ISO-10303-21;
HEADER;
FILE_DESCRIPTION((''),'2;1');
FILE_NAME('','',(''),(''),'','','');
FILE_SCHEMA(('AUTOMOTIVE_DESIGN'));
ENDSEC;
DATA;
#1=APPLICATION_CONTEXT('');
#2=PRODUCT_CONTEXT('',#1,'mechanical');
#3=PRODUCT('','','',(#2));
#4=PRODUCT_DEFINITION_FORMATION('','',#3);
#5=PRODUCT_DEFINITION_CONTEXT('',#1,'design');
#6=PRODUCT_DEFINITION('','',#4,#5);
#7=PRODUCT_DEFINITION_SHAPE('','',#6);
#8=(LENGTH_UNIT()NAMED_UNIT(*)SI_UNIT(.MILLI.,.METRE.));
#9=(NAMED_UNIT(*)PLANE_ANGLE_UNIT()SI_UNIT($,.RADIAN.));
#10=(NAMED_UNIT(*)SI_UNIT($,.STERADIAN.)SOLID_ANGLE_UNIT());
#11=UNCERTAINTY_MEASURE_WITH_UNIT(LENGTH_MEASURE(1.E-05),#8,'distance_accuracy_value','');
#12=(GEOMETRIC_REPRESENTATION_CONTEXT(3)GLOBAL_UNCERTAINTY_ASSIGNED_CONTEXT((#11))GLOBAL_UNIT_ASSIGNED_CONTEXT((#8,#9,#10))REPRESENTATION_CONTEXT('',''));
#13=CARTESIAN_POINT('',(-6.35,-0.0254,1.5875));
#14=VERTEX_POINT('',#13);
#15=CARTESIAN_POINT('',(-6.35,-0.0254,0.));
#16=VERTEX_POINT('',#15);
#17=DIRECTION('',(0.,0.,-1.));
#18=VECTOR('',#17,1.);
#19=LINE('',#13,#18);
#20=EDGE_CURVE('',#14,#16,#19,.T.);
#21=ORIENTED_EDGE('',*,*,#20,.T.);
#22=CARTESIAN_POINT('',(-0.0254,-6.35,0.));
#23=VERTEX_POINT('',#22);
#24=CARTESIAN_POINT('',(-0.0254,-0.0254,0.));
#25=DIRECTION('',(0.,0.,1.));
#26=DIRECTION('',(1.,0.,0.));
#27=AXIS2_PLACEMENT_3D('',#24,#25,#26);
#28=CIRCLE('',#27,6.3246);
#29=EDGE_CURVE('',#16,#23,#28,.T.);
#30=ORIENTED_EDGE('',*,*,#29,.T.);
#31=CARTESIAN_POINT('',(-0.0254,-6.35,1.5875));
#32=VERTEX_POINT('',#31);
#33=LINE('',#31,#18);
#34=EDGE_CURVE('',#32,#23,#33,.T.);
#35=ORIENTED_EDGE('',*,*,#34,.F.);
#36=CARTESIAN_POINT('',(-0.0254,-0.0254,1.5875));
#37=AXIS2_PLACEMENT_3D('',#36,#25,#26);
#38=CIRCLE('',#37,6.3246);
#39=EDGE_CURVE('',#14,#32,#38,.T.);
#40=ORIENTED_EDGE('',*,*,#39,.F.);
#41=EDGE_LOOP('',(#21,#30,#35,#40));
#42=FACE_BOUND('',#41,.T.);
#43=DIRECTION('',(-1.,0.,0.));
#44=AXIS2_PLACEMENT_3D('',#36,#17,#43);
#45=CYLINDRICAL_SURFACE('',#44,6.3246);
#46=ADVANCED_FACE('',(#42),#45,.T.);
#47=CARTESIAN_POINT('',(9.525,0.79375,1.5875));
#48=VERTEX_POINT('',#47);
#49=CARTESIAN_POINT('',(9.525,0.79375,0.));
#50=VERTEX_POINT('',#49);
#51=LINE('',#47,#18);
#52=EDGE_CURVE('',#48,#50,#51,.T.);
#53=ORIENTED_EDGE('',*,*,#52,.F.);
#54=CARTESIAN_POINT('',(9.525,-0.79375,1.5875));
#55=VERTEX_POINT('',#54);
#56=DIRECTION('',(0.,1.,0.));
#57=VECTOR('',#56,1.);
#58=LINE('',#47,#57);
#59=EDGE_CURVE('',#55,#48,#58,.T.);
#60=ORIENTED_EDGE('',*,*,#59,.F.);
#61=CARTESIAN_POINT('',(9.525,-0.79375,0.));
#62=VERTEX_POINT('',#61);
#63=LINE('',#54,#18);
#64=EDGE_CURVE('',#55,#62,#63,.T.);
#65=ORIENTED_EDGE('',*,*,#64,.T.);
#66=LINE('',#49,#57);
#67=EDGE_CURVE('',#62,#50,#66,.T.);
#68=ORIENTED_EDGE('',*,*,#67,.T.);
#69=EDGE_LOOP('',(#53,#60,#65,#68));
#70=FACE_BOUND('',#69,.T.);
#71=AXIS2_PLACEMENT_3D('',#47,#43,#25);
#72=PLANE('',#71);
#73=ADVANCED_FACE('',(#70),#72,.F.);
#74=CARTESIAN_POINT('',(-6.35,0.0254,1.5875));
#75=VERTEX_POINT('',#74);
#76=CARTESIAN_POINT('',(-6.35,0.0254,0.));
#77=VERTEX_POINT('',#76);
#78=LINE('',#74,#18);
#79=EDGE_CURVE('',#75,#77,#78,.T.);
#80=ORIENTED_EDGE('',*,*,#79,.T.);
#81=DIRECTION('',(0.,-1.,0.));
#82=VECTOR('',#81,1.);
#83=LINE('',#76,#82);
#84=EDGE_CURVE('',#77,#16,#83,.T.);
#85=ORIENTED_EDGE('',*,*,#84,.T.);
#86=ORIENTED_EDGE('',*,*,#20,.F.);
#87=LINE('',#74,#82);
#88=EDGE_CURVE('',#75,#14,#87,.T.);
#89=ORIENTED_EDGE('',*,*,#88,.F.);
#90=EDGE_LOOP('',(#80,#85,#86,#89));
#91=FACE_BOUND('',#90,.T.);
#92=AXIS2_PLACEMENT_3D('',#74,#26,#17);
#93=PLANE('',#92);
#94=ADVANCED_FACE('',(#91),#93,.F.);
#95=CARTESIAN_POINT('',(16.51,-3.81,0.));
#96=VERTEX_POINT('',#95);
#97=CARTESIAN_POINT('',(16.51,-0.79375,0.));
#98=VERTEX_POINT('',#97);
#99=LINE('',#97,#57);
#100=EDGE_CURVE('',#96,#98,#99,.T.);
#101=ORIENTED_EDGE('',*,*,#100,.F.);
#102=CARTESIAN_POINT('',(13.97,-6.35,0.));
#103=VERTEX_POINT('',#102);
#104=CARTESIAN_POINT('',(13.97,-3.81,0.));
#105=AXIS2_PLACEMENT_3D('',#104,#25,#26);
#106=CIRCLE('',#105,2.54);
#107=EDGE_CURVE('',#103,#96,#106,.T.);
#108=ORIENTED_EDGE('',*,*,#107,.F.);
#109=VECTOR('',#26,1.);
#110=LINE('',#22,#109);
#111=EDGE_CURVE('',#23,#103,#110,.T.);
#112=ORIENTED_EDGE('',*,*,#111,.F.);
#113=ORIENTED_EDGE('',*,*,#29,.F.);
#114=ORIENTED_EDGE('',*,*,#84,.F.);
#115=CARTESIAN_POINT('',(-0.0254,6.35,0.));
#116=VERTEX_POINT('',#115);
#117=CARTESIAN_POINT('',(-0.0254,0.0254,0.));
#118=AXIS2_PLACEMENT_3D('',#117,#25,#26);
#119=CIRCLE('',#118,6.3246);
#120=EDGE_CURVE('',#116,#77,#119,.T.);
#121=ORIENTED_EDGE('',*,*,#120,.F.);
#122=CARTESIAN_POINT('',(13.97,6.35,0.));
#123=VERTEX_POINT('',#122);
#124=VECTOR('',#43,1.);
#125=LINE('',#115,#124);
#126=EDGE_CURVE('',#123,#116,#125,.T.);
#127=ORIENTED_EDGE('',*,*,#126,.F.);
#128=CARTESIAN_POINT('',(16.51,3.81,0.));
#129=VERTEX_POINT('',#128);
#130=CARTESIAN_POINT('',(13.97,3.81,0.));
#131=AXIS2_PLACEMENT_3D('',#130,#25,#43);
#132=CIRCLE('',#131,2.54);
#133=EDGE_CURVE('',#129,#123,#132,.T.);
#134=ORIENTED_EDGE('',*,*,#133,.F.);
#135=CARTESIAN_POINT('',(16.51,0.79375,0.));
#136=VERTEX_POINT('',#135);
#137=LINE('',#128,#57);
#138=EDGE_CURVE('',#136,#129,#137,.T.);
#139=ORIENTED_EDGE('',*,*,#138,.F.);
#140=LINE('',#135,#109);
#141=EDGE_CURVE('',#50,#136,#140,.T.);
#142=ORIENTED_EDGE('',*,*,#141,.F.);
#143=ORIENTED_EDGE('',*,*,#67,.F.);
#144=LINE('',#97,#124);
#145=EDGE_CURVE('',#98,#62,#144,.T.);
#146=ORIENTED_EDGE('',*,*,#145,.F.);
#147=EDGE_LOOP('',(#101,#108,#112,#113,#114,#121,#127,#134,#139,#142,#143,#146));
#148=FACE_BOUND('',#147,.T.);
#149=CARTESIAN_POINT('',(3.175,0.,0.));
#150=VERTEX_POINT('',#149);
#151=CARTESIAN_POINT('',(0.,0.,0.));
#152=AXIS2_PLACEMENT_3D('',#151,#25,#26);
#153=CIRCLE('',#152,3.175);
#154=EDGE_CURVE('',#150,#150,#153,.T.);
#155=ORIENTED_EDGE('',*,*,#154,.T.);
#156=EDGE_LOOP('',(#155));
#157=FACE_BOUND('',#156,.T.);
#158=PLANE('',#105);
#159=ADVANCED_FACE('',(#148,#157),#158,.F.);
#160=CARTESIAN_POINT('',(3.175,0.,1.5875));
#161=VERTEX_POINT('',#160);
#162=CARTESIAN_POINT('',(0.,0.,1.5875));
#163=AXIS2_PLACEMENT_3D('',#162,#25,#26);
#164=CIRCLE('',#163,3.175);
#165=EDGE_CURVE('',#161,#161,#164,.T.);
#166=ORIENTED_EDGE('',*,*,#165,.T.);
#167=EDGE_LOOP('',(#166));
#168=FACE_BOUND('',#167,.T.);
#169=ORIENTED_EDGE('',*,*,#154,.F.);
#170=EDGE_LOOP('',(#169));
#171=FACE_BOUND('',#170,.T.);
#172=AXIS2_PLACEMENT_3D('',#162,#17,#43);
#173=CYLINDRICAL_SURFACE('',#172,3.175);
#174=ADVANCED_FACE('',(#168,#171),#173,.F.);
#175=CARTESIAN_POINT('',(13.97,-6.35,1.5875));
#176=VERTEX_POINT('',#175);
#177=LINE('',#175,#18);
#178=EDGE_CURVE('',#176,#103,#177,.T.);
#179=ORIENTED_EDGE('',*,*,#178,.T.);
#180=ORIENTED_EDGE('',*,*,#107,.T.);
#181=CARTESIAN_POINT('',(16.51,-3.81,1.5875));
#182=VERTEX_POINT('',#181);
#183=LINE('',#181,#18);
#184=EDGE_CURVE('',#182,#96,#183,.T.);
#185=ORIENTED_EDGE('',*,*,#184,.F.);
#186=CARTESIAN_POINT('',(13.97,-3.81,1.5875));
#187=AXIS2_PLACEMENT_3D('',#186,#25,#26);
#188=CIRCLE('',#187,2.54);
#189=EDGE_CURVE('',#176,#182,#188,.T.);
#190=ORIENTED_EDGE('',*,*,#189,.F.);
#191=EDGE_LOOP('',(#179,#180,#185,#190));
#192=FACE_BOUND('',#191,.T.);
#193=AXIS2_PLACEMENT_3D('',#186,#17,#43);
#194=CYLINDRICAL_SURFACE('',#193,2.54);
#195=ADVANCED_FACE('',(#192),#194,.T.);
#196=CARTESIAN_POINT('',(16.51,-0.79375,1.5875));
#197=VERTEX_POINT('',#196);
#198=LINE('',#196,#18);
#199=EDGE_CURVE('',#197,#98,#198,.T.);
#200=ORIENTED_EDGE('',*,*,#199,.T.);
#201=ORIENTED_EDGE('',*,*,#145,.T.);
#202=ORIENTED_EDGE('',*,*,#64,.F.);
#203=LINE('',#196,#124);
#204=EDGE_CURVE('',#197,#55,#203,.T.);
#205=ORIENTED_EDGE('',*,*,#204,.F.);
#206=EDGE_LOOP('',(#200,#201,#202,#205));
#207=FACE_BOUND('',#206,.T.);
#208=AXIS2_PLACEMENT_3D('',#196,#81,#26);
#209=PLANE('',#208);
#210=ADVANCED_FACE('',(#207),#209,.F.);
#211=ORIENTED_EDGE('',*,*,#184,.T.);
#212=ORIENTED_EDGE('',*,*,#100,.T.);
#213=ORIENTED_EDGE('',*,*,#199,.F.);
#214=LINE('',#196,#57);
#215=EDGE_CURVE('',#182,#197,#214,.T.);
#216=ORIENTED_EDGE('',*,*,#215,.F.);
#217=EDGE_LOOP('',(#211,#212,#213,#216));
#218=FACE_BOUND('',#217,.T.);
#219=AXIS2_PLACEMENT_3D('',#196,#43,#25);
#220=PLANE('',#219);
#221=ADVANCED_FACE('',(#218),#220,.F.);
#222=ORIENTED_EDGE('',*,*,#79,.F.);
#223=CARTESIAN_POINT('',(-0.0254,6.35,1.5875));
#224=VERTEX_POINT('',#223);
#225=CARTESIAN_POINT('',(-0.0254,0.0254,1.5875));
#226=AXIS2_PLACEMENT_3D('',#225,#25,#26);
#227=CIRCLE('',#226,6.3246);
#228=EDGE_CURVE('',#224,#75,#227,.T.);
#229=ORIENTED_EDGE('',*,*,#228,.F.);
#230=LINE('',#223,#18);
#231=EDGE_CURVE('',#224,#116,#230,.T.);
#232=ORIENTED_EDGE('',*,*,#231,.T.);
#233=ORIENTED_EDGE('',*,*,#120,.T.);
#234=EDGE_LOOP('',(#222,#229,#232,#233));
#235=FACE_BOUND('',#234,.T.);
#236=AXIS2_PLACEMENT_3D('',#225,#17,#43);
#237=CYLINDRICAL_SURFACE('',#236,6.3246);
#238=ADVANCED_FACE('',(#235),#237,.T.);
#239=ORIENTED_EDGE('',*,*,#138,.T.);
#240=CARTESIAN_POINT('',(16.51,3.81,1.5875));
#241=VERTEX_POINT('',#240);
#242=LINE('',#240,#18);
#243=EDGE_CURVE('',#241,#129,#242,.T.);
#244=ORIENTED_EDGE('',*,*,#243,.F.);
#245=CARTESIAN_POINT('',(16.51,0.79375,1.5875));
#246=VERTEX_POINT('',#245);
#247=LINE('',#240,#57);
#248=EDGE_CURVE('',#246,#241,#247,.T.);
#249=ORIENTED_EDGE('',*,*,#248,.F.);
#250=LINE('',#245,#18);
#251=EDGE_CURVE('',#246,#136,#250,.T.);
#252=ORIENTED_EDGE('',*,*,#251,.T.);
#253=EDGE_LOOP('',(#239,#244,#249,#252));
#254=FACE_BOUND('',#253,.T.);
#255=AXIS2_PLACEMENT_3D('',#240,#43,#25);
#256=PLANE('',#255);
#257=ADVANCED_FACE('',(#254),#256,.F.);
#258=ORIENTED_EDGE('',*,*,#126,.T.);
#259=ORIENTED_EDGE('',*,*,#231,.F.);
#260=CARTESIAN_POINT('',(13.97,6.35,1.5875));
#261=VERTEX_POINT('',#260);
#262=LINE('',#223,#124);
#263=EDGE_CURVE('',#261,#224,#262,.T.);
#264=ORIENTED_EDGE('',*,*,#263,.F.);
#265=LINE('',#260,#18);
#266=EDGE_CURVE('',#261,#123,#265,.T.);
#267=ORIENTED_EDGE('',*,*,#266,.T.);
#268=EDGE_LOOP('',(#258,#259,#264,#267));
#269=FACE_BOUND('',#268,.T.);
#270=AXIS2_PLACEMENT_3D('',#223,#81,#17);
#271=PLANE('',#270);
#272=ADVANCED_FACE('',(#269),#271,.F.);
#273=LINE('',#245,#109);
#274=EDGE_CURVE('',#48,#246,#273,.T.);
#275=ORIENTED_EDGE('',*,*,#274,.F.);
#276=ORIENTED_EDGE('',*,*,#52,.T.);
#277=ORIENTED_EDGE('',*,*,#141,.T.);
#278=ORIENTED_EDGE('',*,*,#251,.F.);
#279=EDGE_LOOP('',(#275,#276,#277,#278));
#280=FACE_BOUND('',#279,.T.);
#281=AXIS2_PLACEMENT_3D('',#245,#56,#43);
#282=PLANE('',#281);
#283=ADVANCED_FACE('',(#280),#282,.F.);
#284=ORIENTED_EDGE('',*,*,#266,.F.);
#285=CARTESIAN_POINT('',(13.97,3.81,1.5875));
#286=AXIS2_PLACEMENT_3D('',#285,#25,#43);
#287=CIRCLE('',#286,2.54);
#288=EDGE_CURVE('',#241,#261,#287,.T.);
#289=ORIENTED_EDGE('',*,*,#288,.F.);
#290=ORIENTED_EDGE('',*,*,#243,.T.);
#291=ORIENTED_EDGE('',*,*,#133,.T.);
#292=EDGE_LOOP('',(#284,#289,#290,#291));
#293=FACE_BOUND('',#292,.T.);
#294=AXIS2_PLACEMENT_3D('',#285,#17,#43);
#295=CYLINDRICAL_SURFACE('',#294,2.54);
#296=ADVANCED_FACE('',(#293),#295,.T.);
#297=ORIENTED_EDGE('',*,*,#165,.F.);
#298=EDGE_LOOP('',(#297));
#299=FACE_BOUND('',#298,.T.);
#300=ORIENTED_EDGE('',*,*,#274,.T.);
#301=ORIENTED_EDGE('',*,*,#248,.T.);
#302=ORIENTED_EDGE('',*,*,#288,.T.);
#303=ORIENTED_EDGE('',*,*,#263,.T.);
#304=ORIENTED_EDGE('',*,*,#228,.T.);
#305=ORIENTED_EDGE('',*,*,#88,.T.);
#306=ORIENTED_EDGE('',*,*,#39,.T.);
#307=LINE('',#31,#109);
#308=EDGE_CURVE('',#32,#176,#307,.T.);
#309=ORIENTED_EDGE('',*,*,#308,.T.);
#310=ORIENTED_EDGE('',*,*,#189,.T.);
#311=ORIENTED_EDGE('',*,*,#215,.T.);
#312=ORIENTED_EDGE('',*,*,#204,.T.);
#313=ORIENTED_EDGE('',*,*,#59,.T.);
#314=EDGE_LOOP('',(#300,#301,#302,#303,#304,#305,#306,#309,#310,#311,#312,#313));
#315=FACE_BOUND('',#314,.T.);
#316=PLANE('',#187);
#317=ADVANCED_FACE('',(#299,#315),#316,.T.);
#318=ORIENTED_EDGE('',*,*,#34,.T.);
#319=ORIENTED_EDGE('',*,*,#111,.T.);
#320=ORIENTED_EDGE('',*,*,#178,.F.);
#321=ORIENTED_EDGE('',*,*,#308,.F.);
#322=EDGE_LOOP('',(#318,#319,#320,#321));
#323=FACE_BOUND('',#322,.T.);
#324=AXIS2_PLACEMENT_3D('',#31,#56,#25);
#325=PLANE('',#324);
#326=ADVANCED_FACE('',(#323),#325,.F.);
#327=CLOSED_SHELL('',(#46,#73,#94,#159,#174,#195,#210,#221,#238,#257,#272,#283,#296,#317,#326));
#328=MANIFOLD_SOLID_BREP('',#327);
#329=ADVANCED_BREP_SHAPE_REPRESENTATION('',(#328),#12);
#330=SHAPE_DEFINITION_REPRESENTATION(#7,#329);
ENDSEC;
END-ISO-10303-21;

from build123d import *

# Parameters (mm, degrees)
SKETCH1_R           = 3.175
BOSS_EXTRUDE1_DEPTH = 1.5875


with BuildPart() as part:
    # Sketch1 → Boss-Extrude1 (new body)
    with BuildSketch(Plane.XY):
        with BuildLine():
            Line((-0.0254, 6.35), (13.97, 6.35))
            ThreePointArc((13.97, 6.35), (15.766051224, 5.606051224), (16.51, 3.81))
            Line((16.51, 3.81), (16.51, 0.79375))
            Line((16.51, 0.79375), (9.525, 0.79375))
            Line((9.525, 0.79375), (9.525, -0.79375))
            Line((9.525, -0.79375), (16.51, -0.79375))
            Line((16.51, -0.79375), (16.51, -3.81))
            ThreePointArc((16.51, -3.81), (15.766051224, -5.606051224), (13.97, -6.35))
            Line((13.97, -6.35), (-0.0254, -6.35))
            ThreePointArc((-0.0254, -6.35), (-4.497567548, -4.497567548), (-6.35, -0.0254))
            Line((-6.35, -0.0254), (-6.35, 0.0254))
            ThreePointArc((-6.35, 0.0254), (-4.497567548, 4.497567548), (-0.0254, 6.35))
        make_face()
        Circle(SKETCH1_R, mode=Mode.SUBTRACT)
    extrude(amount=BOSS_EXTRUDE1_DEPTH)


solid = part.part
